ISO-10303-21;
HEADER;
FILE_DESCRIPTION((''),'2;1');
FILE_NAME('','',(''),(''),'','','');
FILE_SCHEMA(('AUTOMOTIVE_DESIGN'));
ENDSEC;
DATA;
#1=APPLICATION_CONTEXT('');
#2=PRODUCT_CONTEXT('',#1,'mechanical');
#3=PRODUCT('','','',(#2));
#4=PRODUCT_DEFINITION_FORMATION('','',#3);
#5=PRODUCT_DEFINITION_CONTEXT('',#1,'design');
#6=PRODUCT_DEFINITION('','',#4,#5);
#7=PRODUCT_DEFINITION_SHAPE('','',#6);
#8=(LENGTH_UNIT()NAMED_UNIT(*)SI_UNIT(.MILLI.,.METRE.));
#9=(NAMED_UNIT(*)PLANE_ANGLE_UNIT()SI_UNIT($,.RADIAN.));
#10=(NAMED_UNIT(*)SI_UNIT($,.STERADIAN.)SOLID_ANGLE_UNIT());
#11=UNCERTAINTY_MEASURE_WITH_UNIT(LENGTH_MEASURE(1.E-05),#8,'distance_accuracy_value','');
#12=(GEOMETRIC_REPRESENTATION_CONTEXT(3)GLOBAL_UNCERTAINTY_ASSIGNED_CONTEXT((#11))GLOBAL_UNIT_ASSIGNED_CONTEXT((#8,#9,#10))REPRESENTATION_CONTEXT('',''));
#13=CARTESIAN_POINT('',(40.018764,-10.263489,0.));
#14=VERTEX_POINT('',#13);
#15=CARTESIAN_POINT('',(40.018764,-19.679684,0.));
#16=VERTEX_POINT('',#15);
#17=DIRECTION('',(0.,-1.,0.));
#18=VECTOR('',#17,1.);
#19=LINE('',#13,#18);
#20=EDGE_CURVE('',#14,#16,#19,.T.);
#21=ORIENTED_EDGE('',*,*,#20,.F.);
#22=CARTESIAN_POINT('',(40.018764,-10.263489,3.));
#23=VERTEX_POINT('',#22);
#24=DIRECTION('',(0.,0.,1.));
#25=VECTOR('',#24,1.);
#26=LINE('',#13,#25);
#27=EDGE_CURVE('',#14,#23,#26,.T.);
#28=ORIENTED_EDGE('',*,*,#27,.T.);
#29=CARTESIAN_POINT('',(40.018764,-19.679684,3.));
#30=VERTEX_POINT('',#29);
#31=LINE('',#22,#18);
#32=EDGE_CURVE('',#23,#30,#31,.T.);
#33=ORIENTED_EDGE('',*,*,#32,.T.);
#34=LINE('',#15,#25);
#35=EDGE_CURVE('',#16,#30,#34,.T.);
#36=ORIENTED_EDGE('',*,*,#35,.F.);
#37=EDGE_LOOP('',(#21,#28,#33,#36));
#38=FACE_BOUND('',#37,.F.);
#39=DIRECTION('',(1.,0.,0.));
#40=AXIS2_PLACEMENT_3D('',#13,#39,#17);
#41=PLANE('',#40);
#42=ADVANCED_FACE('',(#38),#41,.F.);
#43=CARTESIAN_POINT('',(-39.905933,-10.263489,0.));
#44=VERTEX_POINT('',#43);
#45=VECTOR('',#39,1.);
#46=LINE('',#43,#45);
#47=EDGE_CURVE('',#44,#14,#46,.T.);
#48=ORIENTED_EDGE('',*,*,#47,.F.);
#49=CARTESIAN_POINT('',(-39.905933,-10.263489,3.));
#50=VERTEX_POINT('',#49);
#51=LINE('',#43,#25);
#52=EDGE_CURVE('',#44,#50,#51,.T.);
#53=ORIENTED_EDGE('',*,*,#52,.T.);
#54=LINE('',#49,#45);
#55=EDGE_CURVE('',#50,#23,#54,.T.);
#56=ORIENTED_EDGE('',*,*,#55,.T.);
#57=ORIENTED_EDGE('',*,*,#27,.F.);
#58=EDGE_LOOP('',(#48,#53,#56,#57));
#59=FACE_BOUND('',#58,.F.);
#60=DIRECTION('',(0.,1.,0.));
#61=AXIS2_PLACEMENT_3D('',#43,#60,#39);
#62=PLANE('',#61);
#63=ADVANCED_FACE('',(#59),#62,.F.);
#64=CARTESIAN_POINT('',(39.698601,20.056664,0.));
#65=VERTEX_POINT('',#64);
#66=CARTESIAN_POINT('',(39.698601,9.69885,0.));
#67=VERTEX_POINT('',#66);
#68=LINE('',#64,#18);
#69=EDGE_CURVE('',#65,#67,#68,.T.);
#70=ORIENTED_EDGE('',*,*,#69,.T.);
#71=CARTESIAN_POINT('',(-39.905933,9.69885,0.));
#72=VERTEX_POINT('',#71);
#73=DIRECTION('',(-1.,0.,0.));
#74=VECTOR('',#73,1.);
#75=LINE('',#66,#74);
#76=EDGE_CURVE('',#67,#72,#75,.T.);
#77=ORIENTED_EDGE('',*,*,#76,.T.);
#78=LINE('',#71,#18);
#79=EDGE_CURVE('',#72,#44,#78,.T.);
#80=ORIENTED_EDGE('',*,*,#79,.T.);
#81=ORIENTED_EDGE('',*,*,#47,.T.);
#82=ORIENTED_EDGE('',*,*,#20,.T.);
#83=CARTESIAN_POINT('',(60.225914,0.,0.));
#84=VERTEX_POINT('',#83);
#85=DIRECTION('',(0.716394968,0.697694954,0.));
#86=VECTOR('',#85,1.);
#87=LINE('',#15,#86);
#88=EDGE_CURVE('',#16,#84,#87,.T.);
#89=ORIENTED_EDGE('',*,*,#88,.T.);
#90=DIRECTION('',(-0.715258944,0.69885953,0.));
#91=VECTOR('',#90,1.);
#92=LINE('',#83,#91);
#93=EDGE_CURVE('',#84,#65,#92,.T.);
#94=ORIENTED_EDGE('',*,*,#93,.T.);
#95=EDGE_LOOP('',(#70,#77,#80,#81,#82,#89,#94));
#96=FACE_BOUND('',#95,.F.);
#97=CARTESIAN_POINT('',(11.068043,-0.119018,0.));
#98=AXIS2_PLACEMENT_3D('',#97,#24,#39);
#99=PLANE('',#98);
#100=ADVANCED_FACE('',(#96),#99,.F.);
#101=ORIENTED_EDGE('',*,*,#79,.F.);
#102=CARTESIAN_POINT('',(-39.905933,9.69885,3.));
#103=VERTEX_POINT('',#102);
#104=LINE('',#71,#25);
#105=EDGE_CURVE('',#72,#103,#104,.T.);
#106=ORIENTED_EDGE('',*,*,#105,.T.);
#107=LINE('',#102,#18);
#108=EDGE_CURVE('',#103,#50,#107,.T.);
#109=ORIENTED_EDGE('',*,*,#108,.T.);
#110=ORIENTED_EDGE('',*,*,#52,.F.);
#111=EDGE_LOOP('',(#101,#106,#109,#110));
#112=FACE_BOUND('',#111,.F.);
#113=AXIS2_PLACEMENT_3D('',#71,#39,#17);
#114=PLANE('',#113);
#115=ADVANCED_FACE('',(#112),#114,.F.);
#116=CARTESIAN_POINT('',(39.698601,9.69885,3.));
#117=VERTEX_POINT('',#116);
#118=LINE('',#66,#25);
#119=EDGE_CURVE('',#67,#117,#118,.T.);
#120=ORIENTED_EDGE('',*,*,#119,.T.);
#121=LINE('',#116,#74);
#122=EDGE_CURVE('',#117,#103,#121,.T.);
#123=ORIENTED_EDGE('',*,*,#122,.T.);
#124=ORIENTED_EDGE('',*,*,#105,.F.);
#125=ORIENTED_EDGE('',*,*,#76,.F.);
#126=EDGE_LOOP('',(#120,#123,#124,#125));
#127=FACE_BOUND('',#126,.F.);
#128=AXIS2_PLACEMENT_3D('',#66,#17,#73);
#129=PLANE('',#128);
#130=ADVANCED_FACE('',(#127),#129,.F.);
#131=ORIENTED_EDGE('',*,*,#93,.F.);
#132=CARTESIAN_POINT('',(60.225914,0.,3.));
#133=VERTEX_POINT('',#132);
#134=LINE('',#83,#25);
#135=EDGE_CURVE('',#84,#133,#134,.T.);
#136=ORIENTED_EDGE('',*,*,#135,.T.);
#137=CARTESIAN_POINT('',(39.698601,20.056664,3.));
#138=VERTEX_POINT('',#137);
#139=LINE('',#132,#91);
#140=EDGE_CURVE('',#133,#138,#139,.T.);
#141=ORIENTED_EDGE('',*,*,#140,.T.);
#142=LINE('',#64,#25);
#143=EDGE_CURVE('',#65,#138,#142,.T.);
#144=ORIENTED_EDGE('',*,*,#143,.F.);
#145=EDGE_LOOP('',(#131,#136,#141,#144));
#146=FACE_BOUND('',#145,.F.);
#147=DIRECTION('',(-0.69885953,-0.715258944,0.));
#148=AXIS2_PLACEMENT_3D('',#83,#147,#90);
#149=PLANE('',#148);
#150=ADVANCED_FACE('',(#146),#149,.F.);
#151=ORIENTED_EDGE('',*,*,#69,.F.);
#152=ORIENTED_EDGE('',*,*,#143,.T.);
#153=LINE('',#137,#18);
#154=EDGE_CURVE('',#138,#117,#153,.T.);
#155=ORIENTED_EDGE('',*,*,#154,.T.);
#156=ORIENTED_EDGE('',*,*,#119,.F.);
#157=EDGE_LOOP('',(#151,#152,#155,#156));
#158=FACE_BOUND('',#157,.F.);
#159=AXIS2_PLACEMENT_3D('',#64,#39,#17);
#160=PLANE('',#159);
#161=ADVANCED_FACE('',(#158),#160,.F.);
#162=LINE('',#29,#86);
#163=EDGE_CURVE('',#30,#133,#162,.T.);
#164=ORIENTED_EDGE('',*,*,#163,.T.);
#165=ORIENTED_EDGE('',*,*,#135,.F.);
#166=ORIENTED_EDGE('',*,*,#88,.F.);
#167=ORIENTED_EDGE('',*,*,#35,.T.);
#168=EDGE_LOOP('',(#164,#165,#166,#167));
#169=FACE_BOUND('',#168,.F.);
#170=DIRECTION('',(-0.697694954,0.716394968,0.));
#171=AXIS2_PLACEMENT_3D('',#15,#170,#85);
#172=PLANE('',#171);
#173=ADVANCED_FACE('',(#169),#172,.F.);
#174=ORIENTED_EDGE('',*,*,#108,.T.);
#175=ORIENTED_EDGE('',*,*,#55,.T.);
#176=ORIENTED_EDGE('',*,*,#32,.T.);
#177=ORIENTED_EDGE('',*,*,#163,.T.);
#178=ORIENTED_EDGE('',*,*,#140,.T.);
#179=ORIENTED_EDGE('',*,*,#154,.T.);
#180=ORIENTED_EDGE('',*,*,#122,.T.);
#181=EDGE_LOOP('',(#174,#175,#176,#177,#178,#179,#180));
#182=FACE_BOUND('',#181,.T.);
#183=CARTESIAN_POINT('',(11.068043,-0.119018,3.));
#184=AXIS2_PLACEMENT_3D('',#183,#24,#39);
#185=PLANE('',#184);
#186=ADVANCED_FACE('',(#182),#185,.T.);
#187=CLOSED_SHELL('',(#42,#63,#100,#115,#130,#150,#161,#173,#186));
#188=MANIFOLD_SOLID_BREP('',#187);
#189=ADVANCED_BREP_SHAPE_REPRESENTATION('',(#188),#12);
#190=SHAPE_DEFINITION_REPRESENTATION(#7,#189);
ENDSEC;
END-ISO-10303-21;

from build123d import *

# Parameters (mm, degrees)
PAD_DEPTH = 3


with BuildPart() as part:
    # Sketch → Pad (new body)
    with BuildSketch(Plane.XY):
        Polygon((-39.905933, -10.263489), (40.018764, -10.263489), (40.018764, -19.679684), (60.225914, 0), (39.698601, 20.056664), (39.698601, 9.69885), (-39.905933, 9.69885), align=None)
    extrude(amount=PAD_DEPTH)


solid = part.part
